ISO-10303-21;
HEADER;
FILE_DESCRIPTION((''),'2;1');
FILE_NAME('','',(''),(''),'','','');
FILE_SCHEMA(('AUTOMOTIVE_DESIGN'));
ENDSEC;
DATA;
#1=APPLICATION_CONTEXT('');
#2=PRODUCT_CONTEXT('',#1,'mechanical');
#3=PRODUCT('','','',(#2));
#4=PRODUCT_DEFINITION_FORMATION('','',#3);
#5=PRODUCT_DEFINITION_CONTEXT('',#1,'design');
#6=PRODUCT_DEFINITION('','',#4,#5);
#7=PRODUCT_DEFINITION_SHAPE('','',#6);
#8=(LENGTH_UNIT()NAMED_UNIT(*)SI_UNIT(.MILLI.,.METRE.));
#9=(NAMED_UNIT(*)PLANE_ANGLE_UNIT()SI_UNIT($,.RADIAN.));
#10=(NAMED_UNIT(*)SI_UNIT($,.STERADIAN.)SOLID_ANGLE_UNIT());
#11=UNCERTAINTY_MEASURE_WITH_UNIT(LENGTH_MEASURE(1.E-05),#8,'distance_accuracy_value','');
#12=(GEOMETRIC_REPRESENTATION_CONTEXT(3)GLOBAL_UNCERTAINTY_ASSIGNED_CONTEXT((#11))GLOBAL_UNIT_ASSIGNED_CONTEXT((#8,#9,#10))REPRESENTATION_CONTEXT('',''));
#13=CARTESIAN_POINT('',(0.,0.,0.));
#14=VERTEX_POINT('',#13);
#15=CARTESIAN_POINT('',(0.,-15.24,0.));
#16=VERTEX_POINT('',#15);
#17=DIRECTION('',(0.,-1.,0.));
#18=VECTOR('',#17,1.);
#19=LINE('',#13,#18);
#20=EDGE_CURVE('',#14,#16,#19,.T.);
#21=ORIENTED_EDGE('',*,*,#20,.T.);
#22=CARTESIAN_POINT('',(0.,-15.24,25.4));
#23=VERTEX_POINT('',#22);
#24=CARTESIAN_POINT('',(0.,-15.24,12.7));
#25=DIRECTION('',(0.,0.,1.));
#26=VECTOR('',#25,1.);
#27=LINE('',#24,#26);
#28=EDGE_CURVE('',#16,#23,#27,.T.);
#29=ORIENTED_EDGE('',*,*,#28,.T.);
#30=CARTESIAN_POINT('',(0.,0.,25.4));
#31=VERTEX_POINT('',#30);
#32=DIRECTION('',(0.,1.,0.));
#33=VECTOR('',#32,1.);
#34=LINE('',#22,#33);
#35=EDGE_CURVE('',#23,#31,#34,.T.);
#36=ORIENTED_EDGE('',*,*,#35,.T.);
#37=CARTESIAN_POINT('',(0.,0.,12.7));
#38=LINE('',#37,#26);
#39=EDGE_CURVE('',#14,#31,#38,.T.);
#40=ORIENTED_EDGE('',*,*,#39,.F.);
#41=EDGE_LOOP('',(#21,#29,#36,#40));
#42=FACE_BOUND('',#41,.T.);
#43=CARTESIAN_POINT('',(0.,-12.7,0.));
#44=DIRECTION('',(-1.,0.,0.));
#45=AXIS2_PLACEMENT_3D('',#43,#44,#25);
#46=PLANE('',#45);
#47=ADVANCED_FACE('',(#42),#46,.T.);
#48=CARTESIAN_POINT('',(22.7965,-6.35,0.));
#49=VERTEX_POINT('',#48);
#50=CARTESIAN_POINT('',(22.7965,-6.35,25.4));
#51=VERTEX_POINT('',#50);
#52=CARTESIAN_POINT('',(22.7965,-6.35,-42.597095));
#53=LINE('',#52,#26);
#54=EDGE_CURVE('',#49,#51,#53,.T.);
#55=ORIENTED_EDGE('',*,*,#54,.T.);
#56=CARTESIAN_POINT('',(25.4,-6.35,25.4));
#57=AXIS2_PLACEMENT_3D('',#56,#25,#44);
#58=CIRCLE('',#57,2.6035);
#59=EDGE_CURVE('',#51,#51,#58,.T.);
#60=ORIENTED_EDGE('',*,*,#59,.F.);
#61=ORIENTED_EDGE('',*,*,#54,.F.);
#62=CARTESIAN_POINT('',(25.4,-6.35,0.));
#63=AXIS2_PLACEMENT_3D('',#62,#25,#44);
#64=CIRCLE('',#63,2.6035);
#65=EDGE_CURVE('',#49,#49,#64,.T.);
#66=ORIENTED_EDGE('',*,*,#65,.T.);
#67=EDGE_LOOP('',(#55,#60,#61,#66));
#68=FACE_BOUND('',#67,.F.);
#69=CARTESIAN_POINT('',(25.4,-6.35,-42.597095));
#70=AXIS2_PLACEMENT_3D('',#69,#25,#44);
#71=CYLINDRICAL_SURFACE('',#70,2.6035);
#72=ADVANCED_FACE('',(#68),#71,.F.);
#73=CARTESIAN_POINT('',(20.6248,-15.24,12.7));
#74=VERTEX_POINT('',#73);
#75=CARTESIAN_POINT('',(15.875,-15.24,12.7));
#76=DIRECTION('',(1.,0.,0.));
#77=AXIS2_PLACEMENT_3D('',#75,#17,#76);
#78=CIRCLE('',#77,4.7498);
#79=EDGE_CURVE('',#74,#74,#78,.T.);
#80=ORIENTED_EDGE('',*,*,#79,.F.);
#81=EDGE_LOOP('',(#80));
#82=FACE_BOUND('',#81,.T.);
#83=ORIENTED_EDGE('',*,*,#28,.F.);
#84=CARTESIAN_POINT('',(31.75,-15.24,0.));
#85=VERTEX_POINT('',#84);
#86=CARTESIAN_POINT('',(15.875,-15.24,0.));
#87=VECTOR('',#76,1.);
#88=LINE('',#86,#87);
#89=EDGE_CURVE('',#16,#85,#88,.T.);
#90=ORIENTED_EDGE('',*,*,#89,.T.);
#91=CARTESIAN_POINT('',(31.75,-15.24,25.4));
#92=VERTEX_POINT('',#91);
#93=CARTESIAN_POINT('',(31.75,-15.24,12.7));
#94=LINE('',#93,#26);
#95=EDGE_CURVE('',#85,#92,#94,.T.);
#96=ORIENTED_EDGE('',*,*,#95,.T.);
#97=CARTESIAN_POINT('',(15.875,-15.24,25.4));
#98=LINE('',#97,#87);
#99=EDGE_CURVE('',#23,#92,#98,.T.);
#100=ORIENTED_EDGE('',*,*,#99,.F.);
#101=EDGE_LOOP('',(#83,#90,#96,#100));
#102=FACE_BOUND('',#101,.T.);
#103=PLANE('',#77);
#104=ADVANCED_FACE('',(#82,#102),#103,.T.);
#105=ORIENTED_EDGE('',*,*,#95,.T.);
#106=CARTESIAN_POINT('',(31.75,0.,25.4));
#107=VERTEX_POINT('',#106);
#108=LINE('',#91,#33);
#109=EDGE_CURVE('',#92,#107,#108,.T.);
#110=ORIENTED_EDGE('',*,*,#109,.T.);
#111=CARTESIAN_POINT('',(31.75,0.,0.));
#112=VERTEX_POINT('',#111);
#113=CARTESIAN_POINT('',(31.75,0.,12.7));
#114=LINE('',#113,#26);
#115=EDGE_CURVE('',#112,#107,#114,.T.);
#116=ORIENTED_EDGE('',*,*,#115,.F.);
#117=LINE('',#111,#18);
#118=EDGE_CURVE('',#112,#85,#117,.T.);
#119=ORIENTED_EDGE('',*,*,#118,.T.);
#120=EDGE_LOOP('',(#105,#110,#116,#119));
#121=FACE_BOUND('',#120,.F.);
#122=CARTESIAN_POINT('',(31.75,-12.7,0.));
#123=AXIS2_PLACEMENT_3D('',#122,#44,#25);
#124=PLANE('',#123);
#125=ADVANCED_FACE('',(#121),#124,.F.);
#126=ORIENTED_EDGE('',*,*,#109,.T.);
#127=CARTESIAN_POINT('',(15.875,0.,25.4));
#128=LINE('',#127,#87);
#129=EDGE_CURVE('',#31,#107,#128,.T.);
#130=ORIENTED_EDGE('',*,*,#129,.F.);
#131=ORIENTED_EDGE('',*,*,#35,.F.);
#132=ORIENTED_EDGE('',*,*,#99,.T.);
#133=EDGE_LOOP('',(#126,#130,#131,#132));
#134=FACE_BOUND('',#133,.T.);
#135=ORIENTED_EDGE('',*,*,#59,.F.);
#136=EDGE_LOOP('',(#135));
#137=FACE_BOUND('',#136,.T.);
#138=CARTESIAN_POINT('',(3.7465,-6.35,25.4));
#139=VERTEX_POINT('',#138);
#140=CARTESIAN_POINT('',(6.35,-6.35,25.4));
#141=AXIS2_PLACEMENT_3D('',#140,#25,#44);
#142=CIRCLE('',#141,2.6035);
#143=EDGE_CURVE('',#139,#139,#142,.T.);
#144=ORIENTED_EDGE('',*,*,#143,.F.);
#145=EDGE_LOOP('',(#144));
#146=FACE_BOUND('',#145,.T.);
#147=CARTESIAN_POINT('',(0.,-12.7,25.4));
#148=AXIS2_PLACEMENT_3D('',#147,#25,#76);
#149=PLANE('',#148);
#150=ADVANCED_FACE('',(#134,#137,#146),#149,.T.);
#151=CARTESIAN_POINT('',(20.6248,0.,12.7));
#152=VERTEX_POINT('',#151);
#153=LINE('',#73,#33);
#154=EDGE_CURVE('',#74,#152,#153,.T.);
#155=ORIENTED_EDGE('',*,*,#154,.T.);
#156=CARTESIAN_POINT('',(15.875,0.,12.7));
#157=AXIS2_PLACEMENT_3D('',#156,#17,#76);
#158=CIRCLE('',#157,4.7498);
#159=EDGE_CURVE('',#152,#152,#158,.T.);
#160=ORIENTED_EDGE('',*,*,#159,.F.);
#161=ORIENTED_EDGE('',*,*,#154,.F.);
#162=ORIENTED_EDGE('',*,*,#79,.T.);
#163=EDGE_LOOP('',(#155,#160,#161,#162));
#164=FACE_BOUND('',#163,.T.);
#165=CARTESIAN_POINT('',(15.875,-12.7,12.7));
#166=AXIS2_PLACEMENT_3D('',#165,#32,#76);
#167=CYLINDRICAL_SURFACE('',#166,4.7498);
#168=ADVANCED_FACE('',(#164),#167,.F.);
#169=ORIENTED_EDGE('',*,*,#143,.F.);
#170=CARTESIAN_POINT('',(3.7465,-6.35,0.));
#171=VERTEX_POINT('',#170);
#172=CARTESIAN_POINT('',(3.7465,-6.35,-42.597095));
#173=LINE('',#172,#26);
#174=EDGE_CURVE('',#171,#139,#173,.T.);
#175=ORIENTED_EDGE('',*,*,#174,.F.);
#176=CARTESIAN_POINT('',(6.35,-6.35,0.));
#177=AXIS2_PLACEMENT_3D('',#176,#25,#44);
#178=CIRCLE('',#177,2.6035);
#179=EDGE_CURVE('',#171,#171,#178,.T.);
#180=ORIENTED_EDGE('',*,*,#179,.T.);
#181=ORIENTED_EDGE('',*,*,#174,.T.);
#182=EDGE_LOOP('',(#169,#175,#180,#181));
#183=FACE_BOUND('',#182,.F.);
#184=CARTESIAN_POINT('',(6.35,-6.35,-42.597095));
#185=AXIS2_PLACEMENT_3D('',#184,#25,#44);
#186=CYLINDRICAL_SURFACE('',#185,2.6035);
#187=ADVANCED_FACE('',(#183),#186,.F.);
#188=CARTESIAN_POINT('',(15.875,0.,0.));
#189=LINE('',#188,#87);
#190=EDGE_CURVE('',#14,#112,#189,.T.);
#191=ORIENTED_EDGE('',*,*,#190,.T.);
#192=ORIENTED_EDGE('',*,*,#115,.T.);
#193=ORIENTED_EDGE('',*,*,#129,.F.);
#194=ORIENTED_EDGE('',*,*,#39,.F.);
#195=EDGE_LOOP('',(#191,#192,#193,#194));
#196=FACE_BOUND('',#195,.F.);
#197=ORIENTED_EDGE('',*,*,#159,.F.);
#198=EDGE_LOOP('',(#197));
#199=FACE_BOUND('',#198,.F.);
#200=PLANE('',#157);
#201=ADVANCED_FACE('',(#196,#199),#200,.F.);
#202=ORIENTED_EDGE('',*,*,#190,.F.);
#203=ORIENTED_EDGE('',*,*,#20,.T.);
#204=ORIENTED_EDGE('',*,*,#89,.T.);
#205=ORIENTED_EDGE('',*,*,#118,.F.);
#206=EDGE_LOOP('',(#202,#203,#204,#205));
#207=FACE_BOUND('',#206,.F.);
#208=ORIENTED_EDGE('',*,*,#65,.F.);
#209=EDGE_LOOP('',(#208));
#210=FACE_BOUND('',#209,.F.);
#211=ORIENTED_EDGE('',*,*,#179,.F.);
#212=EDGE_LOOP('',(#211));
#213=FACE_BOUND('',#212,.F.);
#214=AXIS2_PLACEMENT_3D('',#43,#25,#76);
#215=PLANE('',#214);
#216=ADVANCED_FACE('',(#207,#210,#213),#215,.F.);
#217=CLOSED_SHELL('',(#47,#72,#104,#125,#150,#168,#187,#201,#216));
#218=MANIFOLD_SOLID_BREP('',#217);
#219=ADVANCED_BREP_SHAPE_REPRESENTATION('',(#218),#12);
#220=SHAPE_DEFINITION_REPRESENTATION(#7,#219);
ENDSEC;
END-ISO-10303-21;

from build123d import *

# Parameters (mm, degrees)
F0_W     = 31.75
F0_H     = 25.4
F1_DEPTH = 12.7
F2_R     = 4.7498
F3_DEPTH = 12.7
F4_R     = 9.525
F4_R_2   = 4.7498
F4_R_3   = 3.96875
F5_DEPTH = 3.175
F7_D     = 5.207
F4_W     = 31.75
F4_H     = 25.4
F9_DEPTH = 2.54


with BuildPart() as f1:
    # F0 (on Front) → F1 (new body)
    with BuildSketch(Plane.XZ):
        with Locations((15.875, 12.7)):
            Rectangle(F0_W, F0_H)
    extrude(amount=F1_DEPTH)

    # F2 (on face) → F3 (cut, through all)
    with BuildSketch(Plane.XZ.offset(12.7)):
        with Locations((15.875, 12.7)):
            Circle(F2_R)
    extrude(amount=-F3_DEPTH, mode=Mode.SUBTRACT)

    # F7 (through all)
    with Locations(Plane(origin=(0, 0, 0), x_dir=(1, 0, 0), z_dir=(0, 0, -1))):
        with Locations((6.35, 6.35), (25.4, 6.35)):
            Hole(F7_D / 2)

    # F4 (on face) → F9 (join)
    with BuildSketch(Plane.XZ.offset(12.7)):
        with Locations((15.875, 12.7)):
            Rectangle(F4_W, F4_H)
        with Locations((15.875, 12.7)):
            Circle(F4_R, mode=Mode.SUBTRACT)
        with Locations((15.875, 12.7)):
            Circle(F4_R)
        with Locations((15.875, 12.7)):
            Circle(F4_R_2, mode=Mode.SUBTRACT)
    extrude(amount=F9_DEPTH)


with BuildPart() as f5:
    # F4 (on face) → F5 (new body)
    with BuildSketch(Plane.XZ.offset(12.7)):
        with Locations((15.875, 12.7)):
            Circle(F4_R)
        with Locations((15.875, 12.7)):
            Circle(F4_R_2, mode=Mode.SUBTRACT)
        with Locations((15.875, 12.7)):
            Circle(F4_R_2)
        with Locations((15.875, 12.7)):
            Circle(F4_R_3, mode=Mode.SUBTRACT)
    extrude(amount=F5_DEPTH)


solid = f1.part
